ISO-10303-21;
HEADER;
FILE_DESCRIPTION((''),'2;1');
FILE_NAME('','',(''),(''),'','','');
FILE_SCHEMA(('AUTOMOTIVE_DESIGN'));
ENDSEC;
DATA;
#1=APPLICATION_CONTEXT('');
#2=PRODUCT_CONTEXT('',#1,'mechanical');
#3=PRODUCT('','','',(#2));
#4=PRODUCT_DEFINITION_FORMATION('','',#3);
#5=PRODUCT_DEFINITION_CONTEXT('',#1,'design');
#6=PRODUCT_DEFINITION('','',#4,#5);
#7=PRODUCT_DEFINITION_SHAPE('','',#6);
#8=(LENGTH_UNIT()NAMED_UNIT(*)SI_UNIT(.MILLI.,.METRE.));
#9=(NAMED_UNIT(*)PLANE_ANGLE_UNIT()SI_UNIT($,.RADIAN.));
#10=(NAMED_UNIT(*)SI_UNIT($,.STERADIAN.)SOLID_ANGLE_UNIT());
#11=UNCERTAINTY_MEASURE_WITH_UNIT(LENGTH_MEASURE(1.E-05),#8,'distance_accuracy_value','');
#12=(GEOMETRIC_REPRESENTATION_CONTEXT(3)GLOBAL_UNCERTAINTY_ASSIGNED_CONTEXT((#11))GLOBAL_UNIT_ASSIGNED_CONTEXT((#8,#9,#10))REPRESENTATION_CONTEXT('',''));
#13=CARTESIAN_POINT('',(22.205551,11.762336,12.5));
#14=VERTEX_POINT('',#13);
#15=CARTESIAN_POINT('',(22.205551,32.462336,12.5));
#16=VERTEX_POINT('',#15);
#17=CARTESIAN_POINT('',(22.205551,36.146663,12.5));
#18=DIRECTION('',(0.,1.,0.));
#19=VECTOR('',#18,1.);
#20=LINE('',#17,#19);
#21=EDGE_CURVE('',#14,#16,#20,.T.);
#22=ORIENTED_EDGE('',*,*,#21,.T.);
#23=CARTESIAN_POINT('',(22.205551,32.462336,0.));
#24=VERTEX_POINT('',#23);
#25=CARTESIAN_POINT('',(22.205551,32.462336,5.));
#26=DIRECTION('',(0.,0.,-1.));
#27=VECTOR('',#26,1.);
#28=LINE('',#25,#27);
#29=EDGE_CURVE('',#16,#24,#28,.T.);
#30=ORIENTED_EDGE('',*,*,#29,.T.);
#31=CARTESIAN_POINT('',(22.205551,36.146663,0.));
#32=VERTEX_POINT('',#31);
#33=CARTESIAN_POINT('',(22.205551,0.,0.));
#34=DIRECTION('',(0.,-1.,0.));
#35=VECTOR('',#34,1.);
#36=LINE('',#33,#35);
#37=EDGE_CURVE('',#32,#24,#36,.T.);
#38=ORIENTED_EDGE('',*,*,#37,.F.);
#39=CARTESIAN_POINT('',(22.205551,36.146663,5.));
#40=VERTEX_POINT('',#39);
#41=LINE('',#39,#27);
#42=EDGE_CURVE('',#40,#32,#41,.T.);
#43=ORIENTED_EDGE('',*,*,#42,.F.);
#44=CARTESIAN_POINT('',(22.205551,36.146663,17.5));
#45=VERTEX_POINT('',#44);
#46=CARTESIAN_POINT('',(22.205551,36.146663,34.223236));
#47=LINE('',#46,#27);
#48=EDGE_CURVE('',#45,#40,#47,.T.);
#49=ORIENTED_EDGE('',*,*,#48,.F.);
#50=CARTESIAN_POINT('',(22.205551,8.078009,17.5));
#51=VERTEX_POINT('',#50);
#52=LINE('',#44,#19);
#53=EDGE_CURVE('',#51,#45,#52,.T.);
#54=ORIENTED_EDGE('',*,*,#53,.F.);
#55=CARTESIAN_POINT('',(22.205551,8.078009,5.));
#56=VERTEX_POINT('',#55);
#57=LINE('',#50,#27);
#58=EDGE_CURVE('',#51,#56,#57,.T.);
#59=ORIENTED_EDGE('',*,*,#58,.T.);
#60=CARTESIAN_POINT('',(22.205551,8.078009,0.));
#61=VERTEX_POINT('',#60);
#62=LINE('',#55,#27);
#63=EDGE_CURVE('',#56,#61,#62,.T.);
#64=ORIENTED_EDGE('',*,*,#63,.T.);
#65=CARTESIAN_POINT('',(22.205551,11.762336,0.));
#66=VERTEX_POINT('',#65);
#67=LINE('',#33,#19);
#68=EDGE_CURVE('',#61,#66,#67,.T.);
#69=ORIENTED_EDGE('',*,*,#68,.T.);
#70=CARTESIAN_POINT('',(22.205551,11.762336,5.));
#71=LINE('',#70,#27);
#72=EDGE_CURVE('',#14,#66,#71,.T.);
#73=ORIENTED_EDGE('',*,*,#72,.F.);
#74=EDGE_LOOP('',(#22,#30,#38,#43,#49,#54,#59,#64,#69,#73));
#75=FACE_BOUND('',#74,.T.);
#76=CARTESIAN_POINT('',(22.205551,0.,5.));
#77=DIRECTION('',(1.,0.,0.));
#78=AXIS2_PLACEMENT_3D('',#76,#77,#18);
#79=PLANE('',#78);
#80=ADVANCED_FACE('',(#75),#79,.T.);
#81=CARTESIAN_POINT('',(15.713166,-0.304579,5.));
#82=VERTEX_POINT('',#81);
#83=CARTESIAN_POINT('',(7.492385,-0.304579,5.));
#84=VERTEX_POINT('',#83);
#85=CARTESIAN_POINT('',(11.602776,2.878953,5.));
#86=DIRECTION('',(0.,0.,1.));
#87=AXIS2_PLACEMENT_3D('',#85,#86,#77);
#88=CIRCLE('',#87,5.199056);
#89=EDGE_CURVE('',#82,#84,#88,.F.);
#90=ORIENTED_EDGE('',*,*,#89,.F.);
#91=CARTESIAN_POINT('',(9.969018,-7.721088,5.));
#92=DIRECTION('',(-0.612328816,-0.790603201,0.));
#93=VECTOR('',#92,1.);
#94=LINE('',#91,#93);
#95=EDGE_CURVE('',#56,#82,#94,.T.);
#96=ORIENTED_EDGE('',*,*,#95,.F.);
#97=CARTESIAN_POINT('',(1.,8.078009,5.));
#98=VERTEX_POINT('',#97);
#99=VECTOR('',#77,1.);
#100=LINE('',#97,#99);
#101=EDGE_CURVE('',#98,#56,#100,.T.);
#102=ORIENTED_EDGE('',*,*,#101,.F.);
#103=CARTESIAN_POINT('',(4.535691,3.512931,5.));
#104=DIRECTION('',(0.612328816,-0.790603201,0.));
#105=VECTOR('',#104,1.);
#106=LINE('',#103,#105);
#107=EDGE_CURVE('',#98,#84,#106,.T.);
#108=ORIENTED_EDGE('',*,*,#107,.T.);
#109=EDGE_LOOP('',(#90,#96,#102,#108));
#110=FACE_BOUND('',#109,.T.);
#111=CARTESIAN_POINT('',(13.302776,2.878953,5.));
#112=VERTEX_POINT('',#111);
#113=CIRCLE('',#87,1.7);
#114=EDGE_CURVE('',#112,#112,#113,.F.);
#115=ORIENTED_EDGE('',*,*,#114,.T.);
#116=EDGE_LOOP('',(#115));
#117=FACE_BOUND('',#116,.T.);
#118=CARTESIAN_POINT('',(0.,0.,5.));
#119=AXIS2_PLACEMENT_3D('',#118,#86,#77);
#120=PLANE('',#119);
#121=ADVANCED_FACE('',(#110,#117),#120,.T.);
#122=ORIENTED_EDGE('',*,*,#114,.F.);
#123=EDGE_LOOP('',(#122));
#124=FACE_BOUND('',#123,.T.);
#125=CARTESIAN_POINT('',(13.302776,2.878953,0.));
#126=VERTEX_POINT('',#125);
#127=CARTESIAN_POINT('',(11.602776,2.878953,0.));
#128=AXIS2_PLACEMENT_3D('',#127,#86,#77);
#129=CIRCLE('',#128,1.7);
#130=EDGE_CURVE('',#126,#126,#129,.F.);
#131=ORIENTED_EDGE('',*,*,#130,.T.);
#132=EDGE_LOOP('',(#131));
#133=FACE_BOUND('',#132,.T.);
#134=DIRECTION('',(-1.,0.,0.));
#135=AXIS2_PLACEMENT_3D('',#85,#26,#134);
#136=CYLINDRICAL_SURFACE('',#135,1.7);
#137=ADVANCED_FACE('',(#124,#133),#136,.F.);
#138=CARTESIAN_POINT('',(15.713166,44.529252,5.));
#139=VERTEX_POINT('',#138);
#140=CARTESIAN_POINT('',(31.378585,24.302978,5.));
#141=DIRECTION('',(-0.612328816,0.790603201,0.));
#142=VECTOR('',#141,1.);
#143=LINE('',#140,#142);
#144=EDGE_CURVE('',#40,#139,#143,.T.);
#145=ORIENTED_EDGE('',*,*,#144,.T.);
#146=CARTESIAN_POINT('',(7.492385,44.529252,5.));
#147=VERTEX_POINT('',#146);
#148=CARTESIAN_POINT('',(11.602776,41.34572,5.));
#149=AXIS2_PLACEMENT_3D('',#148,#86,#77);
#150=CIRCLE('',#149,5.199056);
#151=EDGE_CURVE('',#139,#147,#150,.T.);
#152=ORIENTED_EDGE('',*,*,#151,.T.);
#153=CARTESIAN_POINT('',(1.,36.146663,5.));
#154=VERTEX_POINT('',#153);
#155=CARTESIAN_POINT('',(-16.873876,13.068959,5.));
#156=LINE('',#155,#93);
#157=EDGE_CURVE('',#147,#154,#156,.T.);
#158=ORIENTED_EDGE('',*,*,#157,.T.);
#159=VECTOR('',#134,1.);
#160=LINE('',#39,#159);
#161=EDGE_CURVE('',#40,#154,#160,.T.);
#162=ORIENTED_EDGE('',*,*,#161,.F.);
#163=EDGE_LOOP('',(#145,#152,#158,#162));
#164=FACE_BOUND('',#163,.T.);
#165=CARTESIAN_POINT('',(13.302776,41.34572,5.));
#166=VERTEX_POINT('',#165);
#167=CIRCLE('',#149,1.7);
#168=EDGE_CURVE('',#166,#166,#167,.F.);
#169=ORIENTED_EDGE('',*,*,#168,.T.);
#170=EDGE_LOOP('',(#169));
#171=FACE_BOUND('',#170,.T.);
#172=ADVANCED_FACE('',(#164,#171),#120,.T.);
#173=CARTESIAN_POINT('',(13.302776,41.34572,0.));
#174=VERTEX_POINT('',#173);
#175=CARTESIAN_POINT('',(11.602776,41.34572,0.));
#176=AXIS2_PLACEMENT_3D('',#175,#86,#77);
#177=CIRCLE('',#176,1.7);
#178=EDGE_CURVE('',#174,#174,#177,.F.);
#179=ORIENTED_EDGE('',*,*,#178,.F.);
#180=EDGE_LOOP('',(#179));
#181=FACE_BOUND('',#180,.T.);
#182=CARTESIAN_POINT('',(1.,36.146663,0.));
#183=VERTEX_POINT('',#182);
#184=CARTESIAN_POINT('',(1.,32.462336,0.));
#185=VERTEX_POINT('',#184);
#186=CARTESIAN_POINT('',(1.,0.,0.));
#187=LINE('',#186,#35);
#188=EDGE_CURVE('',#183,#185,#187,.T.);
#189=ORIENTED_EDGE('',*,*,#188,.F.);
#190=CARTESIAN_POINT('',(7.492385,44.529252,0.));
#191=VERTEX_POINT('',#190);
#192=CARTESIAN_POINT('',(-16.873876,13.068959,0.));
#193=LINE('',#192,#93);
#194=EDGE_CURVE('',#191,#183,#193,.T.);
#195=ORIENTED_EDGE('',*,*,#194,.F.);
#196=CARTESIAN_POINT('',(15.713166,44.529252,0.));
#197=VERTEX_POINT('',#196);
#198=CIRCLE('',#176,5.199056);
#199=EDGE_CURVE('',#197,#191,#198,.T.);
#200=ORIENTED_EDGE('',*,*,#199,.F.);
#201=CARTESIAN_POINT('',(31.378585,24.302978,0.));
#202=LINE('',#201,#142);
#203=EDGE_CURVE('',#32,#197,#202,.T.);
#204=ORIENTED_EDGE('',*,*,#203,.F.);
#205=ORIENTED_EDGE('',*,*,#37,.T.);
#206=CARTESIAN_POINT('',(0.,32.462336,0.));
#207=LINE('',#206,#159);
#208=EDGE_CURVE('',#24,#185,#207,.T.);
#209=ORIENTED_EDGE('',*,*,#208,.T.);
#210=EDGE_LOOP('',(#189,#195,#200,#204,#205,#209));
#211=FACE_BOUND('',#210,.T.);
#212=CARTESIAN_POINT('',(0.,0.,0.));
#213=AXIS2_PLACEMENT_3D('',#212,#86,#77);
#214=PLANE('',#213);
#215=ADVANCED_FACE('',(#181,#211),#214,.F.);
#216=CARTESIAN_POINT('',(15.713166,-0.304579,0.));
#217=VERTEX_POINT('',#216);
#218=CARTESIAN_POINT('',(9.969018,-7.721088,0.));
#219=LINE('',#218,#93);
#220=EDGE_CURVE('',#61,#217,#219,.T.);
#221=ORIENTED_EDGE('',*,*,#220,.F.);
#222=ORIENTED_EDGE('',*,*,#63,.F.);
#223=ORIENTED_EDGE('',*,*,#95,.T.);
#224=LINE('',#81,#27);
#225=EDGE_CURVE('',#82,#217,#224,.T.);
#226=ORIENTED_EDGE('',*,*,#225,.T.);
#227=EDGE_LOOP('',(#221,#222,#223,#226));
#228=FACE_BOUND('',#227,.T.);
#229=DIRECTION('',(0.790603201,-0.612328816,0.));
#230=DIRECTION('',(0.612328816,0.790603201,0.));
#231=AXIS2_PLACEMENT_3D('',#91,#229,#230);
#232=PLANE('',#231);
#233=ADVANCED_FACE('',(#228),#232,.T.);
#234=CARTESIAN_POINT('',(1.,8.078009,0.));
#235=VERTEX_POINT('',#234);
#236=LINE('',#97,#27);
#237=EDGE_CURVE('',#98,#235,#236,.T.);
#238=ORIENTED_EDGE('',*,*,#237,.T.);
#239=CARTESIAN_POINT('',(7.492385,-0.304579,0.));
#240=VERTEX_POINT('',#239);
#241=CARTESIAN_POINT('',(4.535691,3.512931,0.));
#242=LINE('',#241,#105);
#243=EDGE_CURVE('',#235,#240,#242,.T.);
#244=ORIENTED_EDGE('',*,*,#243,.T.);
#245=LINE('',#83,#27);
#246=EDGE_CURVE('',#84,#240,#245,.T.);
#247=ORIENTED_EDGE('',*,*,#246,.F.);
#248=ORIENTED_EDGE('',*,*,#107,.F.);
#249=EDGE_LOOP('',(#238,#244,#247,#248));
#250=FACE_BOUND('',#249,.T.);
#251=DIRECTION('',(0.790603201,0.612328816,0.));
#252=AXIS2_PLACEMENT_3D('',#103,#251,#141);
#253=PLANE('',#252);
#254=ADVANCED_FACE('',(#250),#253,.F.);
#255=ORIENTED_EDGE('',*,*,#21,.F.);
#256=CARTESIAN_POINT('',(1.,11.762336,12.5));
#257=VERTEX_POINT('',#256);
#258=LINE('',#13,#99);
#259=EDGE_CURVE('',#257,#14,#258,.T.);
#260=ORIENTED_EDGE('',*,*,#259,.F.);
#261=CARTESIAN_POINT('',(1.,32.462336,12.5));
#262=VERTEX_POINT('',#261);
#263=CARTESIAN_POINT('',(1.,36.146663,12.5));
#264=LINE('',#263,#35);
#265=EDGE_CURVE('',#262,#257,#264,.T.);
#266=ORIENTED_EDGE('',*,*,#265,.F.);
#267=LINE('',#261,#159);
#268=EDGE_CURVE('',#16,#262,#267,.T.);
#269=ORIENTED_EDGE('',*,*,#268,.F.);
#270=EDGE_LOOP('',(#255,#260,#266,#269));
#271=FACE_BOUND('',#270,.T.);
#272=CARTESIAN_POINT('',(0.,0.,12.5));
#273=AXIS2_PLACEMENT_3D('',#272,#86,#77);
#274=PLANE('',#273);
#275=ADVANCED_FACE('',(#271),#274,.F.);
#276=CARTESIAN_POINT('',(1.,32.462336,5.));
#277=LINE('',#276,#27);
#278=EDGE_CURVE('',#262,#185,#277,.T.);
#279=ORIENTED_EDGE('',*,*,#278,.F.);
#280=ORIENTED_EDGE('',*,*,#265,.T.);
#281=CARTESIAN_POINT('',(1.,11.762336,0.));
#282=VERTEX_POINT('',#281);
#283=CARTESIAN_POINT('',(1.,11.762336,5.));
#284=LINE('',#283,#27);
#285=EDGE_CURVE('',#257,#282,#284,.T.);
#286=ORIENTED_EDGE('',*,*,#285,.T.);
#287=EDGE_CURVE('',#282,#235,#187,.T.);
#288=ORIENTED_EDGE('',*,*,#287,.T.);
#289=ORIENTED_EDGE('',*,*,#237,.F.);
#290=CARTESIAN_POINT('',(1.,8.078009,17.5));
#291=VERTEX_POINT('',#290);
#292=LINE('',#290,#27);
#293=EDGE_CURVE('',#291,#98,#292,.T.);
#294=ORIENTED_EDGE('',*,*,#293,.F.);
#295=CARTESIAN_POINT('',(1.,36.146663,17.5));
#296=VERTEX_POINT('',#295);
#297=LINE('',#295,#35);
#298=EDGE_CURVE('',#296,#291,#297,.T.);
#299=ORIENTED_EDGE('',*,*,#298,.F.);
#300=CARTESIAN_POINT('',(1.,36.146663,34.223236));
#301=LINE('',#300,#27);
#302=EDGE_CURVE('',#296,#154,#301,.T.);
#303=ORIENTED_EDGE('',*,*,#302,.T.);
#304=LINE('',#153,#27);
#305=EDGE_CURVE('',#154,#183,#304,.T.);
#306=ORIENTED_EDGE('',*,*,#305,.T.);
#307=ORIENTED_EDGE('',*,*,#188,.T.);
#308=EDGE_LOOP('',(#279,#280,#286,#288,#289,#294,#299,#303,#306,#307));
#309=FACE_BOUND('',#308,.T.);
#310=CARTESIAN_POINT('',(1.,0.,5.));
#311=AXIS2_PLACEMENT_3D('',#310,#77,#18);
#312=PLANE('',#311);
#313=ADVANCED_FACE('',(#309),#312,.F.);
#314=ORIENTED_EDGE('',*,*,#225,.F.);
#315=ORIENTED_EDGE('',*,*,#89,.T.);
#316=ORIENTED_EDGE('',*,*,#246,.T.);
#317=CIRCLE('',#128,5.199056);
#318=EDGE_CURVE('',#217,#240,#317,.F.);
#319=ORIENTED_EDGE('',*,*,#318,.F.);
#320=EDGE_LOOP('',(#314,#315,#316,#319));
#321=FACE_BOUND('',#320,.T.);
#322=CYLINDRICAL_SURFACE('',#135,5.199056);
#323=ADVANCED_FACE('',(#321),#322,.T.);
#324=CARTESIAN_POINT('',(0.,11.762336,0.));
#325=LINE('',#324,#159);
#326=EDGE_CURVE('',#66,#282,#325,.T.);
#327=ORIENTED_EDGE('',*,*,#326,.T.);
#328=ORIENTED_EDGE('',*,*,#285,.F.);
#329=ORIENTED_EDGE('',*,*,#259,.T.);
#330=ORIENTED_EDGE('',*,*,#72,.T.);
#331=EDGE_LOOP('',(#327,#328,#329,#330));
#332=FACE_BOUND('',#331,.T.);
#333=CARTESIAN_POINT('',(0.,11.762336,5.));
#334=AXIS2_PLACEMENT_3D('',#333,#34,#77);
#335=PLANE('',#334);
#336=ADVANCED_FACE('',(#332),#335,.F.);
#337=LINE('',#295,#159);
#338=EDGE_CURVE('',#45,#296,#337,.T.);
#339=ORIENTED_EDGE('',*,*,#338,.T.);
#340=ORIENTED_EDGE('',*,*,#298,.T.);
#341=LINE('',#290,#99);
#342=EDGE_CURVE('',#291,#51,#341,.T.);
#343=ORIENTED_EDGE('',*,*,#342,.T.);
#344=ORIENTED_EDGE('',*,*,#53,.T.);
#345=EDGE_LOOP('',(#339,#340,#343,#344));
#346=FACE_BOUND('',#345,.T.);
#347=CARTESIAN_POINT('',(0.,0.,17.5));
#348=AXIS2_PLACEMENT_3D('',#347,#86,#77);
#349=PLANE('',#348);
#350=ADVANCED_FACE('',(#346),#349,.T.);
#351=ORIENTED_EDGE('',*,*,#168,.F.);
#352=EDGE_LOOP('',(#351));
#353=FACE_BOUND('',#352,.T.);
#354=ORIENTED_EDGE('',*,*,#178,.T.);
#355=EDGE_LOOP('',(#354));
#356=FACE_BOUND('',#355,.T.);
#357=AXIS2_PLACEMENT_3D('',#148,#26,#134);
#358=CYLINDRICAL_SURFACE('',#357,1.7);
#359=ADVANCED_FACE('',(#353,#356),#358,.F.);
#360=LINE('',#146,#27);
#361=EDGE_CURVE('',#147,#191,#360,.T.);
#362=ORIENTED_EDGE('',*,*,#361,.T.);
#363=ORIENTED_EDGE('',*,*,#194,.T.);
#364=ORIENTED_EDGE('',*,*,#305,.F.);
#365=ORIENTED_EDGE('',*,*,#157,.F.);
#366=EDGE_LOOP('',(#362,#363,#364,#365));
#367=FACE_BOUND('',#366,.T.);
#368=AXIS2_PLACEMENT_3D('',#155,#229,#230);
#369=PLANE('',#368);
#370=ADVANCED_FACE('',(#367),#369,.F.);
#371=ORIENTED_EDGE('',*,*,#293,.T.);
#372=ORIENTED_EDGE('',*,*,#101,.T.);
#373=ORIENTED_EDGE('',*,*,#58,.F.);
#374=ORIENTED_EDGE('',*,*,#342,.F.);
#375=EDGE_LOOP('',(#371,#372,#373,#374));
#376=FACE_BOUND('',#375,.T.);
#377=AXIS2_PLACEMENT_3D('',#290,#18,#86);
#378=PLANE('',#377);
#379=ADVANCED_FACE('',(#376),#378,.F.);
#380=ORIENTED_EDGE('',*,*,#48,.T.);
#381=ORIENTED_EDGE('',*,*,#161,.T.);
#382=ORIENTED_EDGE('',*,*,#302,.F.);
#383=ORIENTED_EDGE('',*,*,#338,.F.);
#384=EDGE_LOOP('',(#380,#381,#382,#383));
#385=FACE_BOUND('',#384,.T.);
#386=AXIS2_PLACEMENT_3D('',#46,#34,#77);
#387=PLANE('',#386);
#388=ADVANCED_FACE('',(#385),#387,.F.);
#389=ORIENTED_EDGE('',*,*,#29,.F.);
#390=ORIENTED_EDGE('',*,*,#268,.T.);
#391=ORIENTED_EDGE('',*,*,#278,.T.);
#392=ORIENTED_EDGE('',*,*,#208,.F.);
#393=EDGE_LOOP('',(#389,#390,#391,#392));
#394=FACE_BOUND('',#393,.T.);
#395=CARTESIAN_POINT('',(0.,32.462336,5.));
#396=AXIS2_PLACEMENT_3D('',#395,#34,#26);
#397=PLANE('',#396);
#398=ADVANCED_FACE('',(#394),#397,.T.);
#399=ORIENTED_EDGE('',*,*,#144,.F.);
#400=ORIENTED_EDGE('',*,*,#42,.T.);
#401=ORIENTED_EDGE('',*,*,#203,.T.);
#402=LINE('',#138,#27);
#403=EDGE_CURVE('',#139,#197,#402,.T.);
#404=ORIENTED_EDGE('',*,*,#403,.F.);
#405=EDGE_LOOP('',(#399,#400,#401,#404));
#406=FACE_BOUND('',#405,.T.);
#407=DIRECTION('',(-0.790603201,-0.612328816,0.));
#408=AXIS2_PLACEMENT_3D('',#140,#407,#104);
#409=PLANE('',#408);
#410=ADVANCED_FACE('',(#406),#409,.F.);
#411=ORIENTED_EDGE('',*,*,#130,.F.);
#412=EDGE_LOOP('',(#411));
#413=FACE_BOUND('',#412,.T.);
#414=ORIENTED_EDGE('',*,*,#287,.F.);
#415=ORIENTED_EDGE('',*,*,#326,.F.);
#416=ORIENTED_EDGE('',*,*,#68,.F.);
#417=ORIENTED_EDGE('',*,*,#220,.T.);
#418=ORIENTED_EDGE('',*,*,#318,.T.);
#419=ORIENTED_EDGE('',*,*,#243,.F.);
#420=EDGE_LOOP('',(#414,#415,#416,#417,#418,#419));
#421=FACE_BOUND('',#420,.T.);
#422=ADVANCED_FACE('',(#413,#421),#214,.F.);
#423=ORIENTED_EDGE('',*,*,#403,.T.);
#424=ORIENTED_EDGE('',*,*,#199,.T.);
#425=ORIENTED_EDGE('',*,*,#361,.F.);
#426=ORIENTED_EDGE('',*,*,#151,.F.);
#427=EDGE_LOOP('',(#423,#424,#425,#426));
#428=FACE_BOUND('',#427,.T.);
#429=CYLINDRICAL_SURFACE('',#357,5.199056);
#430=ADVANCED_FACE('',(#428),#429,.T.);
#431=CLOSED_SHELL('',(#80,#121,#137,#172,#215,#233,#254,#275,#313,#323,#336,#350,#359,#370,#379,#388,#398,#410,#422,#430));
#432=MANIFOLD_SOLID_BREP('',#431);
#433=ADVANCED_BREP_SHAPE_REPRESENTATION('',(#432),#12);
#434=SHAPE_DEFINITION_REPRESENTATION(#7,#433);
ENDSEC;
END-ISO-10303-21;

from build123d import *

# Parameters (mm, degrees)
SKETCH5_R             = 1.7
BOSS_EXTRUDE5_DEPTH   = 5
BOSS_EXTRUDE5_2_DEPTH = 5
SKETCH6_W             = 21.205551353
SKETCH6_H             = 3.684327219
BOSS_EXTRUDE6_DEPTH   = 7.5
SKETCH7_W             = 21.205551353
SKETCH7_H             = 28.068654438
BOSS_EXTRUDE7_DEPTH   = 5


with BuildPart() as part:
    # Sketch5 → Boss-Extrude5 (new body)
    with BuildSketch(Plane.XY):
        with BuildLine():
            Line((7.492385077, 44.529251739), (1, 36.146663352))
            Line((1, 36.146663352), (1, 32.462336133))
            Line((1, 32.462336133), (5.2, 32.462336133))
            Line((5.2, 32.462336133), (22.205551353, 32.462336133))
            Line((22.205551353, 32.462336133), (22.205551353, 36.146663352))
            Line((22.205551353, 36.146663352), (15.713166275, 44.529251739))
            ThreePointArc((15.713166275, 44.529251739), (11.602775676, 46.544776073), (7.492385077, 44.529251739))
        make_face()
        with Locations((11.602775676, 41.345719713)):
            Circle(SKETCH5_R, mode=Mode.SUBTRACT)
    extrude(amount=BOSS_EXTRUDE5_DEPTH)



with BuildPart() as body_2:
    # Sketch5 → Boss-Extrude5 2 (new body)
    with BuildSketch(Plane.XY):
        with BuildLine():
            Line((5.2, 11.762336133), (1, 11.762336133))
            Line((1, 11.762336133), (1, 8.078008914))
            Line((1, 8.078008914), (7.492385077, -0.304579472))
            ThreePointArc((7.492385077, -0.304579472), (11.602775676, -2.320103807), (15.713166275, -0.304579472))
            Line((15.713166275, -0.304579472), (22.205551353, 8.078008914))
            Line((22.205551353, 8.078008914), (22.205551353, 11.762336133))
            Line((22.205551353, 11.762336133), (5.2, 11.762336133))
        make_face()
        with Locations((11.602775676, 2.878952554)):
            Circle(SKETCH5_R, mode=Mode.SUBTRACT)
    extrude(amount=BOSS_EXTRUDE5_2_DEPTH)


with BuildPart() as part_1:
    add(part.part)

    add(body_2.part)  # Boss-Extrude6 merges body 2
    # Sketch6 → Boss-Extrude6 (add)
    with BuildSketch(Plane.XY.offset(5)):
        with Locations((11.602775677, 9.920172523)):
            Rectangle(SKETCH6_W, SKETCH6_H)
        with Locations((11.602775677, 34.304499742)):
            Rectangle(SKETCH6_W, SKETCH6_H)
    extrude(amount=BOSS_EXTRUDE6_DEPTH)

    # Sketch7 → Boss-Extrude7 (add)
    with BuildSketch(Plane.XY.offset(12.5)):
        with Locations((11.602775677, 22.112336133)):
            Rectangle(SKETCH7_W, SKETCH7_H)
    extrude(amount=BOSS_EXTRUDE7_DEPTH)


solid = part_1.part
